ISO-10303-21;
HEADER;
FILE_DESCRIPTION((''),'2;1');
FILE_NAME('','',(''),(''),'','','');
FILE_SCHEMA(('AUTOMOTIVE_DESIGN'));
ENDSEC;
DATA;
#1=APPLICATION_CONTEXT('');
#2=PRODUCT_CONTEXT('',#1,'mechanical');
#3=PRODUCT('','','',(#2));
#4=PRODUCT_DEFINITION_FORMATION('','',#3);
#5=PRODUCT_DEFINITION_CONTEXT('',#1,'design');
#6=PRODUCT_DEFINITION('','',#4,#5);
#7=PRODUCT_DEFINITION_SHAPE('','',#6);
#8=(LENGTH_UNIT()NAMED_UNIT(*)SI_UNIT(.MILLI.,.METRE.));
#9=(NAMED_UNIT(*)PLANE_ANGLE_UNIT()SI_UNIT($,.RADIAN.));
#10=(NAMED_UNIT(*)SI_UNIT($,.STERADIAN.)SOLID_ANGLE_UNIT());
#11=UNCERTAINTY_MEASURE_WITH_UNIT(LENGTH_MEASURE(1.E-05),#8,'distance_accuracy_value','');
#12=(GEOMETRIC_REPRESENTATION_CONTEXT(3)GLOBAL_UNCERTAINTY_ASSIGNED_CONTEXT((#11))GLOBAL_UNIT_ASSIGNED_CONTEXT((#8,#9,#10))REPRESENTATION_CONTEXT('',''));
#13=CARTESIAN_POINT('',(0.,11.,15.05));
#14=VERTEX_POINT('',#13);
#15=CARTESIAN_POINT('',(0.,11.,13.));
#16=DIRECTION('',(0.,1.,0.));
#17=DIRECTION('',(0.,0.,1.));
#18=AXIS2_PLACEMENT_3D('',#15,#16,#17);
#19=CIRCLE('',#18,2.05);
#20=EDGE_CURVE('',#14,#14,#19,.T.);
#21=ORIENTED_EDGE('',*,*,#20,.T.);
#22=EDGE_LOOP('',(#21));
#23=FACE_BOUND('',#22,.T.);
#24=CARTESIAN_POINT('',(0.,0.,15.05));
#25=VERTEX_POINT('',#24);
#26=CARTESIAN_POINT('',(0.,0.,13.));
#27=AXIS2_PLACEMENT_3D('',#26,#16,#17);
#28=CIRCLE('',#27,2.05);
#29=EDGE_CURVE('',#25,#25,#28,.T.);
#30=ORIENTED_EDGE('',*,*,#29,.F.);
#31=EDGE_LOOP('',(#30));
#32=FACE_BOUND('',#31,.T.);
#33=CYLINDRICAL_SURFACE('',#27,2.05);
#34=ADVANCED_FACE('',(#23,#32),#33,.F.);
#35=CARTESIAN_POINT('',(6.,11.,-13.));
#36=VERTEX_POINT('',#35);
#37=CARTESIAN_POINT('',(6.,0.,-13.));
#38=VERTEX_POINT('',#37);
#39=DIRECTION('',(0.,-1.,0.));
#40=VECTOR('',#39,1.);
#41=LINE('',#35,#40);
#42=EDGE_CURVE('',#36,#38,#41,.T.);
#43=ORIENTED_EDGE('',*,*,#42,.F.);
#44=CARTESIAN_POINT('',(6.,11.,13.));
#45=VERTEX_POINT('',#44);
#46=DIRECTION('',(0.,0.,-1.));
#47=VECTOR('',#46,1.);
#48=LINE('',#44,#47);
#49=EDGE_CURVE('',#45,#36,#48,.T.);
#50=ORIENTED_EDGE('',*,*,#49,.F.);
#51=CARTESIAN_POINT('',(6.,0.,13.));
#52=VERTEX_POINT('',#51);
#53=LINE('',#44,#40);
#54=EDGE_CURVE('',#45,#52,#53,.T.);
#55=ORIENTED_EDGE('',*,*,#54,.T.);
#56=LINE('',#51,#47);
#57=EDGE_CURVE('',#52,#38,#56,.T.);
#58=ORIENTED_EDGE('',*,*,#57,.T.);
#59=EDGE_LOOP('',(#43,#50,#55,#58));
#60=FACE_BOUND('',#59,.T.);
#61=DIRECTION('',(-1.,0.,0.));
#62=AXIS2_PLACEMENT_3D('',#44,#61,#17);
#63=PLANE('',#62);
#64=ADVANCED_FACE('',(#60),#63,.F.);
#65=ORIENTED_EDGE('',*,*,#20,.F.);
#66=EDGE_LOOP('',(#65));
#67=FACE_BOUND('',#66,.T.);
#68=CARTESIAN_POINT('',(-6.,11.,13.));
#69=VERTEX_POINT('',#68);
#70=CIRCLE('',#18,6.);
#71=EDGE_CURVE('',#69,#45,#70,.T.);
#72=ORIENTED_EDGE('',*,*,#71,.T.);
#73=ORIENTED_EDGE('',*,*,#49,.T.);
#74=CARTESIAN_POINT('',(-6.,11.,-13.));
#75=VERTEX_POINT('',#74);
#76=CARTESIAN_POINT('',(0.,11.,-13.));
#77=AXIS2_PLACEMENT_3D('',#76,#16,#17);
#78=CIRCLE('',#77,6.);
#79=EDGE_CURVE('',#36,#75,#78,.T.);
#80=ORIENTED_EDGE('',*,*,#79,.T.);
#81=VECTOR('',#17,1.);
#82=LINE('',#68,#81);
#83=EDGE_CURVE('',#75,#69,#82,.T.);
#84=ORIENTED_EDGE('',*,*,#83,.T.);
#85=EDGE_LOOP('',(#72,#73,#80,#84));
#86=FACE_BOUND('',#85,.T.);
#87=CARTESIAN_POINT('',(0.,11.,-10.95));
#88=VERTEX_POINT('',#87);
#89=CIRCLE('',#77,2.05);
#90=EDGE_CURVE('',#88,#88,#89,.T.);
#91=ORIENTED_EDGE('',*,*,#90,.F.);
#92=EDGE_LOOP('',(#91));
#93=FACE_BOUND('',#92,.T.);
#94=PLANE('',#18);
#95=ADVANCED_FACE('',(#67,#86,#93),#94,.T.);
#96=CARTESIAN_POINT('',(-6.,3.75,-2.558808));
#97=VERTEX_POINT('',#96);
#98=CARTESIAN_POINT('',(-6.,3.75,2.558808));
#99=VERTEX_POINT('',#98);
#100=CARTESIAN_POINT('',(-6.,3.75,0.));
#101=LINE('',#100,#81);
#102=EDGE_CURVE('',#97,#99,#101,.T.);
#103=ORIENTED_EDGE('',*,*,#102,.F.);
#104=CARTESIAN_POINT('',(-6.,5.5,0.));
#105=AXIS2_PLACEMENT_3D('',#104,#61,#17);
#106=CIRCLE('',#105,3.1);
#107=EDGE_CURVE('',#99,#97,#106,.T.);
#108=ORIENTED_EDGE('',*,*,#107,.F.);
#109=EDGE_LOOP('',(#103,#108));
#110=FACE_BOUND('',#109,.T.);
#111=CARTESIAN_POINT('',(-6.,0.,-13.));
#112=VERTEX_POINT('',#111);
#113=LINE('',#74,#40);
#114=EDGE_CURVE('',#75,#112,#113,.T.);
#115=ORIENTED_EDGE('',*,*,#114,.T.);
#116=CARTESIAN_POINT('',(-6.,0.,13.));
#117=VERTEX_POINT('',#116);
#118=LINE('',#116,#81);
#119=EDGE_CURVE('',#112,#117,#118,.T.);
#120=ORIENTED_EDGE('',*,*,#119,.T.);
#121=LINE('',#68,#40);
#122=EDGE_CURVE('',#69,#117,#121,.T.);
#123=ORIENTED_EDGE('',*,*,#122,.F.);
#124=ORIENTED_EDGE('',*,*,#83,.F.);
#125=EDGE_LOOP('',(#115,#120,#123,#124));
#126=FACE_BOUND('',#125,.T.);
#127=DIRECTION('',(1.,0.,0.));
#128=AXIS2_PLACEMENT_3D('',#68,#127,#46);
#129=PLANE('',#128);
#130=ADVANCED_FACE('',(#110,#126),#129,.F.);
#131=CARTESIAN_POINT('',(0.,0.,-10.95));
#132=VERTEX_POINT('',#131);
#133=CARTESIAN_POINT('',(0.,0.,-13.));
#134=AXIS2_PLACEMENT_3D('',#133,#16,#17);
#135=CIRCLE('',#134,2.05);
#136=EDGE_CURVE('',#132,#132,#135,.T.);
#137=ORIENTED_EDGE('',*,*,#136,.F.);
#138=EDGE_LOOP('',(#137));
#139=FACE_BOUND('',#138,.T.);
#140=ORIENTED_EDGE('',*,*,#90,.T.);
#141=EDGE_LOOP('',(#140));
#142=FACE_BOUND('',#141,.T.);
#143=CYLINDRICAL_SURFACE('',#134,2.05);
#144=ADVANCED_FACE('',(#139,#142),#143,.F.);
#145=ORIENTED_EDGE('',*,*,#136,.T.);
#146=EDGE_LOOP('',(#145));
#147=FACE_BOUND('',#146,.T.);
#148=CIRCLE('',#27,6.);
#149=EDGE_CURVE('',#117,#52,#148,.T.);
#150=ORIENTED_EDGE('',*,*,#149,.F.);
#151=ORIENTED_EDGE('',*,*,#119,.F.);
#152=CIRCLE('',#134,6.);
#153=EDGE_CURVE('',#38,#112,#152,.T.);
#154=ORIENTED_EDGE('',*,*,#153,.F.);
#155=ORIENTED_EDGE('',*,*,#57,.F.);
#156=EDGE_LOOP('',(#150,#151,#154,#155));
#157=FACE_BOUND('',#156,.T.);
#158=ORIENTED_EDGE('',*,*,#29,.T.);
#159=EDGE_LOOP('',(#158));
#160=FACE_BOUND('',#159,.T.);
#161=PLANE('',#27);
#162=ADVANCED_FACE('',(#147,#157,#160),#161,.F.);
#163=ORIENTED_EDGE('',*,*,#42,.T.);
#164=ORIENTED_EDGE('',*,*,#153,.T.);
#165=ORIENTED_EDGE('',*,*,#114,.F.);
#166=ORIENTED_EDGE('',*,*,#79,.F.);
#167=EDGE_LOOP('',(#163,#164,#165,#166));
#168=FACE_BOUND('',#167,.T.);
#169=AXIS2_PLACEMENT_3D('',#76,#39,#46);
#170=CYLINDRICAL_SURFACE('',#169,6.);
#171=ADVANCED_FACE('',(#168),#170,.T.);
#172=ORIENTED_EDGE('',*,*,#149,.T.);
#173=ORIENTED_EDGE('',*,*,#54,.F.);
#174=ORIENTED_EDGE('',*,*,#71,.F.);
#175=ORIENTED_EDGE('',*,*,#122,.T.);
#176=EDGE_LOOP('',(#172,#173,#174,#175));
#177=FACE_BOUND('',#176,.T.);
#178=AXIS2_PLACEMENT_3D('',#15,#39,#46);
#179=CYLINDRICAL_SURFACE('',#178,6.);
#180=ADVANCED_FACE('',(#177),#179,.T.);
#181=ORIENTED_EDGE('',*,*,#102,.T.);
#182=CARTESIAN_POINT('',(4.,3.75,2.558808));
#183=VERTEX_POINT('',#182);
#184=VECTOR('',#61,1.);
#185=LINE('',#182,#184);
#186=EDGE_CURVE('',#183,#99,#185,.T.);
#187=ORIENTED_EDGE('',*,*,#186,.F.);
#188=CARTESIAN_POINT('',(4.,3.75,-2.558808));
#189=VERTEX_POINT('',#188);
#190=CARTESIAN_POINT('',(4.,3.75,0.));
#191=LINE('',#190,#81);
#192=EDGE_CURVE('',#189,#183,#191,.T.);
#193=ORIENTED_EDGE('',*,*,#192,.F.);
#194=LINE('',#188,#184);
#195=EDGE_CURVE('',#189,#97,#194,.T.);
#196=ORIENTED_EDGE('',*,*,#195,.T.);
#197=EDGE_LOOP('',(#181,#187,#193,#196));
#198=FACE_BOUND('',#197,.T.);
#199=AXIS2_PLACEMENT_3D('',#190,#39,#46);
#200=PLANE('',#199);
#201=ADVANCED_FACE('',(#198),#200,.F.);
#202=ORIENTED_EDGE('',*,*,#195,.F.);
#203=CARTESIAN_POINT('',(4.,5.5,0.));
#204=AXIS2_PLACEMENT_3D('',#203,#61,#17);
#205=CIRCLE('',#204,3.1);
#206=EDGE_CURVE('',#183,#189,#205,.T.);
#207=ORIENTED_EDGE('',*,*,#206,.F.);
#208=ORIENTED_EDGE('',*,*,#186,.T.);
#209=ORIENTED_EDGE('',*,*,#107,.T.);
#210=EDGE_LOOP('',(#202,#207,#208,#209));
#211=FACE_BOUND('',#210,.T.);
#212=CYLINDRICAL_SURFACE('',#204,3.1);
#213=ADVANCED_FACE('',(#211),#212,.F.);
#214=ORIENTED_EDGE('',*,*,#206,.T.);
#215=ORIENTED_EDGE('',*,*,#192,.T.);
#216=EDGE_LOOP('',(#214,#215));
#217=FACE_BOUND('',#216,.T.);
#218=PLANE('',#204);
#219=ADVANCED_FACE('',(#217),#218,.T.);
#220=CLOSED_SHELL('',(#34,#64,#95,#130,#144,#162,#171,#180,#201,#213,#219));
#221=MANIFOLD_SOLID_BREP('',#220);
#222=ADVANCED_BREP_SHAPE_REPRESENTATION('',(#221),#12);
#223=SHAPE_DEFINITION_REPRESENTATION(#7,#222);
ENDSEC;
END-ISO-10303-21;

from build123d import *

# Parameters (mm, degrees)
EXTRUDE_1_DEPTH     = 11
SKETCH_2_R          = 2.05
CUT_EXTRUDE_1_DEPTH = 12
SKETCH_3_R          = 3.1
CUT_EXTRUDE_2_DEPTH = 10
EXTRUDE_3_DEPTH     = 10


with BuildPart() as part:
    # 草图1 → 凸台-拉伸1 (new body)
    with BuildSketch(Plane(origin=(0, 0, 0), x_dir=(1, 0, 0), z_dir=(0, 1, 0))):
        with BuildLine():
            Line((-6, -13), (-6, 13))
            ThreePointArc((-6, 13), (0, 19), (6, 13))
            Line((6, 13), (6, -13))
            ThreePointArc((6, -13), (0, -19), (-6, -13))
        make_face()
    extrude(amount=EXTRUDE_1_DEPTH)

    # 草图2 → 切除-拉伸1 (cut, through all)
    with BuildSketch(Plane(origin=(0, 11, 0), x_dir=(1, 0, 0), z_dir=(0, 1, 0))):
        with Locations((0, 13)):
            Circle(SKETCH_2_R)
        with Locations((0, -13)):
            Circle(SKETCH_2_R)
    extrude(amount=-CUT_EXTRUDE_1_DEPTH, mode=Mode.SUBTRACT)

    # 草图3 → 切除-拉伸2 (cut)
    with BuildSketch(Plane.ZY.offset(6)):
        with Locations((0, 5.5)):
            Circle(SKETCH_3_R)
    extrude(amount=-CUT_EXTRUDE_2_DEPTH, mode=Mode.SUBTRACT)

    # 草图4 → 凸台-拉伸3 (add)
    with BuildSketch(Plane.ZY.offset(6)):
        with BuildLine():
            Line((3.146029243, 3.75), (-3.146029243, 3.75))
            ThreePointArc((-3.146029243, 3.75), (0, 1.9), (3.146029243, 3.75))
        make_face()
    extrude(amount=-EXTRUDE_3_DEPTH)


solid = part.part
